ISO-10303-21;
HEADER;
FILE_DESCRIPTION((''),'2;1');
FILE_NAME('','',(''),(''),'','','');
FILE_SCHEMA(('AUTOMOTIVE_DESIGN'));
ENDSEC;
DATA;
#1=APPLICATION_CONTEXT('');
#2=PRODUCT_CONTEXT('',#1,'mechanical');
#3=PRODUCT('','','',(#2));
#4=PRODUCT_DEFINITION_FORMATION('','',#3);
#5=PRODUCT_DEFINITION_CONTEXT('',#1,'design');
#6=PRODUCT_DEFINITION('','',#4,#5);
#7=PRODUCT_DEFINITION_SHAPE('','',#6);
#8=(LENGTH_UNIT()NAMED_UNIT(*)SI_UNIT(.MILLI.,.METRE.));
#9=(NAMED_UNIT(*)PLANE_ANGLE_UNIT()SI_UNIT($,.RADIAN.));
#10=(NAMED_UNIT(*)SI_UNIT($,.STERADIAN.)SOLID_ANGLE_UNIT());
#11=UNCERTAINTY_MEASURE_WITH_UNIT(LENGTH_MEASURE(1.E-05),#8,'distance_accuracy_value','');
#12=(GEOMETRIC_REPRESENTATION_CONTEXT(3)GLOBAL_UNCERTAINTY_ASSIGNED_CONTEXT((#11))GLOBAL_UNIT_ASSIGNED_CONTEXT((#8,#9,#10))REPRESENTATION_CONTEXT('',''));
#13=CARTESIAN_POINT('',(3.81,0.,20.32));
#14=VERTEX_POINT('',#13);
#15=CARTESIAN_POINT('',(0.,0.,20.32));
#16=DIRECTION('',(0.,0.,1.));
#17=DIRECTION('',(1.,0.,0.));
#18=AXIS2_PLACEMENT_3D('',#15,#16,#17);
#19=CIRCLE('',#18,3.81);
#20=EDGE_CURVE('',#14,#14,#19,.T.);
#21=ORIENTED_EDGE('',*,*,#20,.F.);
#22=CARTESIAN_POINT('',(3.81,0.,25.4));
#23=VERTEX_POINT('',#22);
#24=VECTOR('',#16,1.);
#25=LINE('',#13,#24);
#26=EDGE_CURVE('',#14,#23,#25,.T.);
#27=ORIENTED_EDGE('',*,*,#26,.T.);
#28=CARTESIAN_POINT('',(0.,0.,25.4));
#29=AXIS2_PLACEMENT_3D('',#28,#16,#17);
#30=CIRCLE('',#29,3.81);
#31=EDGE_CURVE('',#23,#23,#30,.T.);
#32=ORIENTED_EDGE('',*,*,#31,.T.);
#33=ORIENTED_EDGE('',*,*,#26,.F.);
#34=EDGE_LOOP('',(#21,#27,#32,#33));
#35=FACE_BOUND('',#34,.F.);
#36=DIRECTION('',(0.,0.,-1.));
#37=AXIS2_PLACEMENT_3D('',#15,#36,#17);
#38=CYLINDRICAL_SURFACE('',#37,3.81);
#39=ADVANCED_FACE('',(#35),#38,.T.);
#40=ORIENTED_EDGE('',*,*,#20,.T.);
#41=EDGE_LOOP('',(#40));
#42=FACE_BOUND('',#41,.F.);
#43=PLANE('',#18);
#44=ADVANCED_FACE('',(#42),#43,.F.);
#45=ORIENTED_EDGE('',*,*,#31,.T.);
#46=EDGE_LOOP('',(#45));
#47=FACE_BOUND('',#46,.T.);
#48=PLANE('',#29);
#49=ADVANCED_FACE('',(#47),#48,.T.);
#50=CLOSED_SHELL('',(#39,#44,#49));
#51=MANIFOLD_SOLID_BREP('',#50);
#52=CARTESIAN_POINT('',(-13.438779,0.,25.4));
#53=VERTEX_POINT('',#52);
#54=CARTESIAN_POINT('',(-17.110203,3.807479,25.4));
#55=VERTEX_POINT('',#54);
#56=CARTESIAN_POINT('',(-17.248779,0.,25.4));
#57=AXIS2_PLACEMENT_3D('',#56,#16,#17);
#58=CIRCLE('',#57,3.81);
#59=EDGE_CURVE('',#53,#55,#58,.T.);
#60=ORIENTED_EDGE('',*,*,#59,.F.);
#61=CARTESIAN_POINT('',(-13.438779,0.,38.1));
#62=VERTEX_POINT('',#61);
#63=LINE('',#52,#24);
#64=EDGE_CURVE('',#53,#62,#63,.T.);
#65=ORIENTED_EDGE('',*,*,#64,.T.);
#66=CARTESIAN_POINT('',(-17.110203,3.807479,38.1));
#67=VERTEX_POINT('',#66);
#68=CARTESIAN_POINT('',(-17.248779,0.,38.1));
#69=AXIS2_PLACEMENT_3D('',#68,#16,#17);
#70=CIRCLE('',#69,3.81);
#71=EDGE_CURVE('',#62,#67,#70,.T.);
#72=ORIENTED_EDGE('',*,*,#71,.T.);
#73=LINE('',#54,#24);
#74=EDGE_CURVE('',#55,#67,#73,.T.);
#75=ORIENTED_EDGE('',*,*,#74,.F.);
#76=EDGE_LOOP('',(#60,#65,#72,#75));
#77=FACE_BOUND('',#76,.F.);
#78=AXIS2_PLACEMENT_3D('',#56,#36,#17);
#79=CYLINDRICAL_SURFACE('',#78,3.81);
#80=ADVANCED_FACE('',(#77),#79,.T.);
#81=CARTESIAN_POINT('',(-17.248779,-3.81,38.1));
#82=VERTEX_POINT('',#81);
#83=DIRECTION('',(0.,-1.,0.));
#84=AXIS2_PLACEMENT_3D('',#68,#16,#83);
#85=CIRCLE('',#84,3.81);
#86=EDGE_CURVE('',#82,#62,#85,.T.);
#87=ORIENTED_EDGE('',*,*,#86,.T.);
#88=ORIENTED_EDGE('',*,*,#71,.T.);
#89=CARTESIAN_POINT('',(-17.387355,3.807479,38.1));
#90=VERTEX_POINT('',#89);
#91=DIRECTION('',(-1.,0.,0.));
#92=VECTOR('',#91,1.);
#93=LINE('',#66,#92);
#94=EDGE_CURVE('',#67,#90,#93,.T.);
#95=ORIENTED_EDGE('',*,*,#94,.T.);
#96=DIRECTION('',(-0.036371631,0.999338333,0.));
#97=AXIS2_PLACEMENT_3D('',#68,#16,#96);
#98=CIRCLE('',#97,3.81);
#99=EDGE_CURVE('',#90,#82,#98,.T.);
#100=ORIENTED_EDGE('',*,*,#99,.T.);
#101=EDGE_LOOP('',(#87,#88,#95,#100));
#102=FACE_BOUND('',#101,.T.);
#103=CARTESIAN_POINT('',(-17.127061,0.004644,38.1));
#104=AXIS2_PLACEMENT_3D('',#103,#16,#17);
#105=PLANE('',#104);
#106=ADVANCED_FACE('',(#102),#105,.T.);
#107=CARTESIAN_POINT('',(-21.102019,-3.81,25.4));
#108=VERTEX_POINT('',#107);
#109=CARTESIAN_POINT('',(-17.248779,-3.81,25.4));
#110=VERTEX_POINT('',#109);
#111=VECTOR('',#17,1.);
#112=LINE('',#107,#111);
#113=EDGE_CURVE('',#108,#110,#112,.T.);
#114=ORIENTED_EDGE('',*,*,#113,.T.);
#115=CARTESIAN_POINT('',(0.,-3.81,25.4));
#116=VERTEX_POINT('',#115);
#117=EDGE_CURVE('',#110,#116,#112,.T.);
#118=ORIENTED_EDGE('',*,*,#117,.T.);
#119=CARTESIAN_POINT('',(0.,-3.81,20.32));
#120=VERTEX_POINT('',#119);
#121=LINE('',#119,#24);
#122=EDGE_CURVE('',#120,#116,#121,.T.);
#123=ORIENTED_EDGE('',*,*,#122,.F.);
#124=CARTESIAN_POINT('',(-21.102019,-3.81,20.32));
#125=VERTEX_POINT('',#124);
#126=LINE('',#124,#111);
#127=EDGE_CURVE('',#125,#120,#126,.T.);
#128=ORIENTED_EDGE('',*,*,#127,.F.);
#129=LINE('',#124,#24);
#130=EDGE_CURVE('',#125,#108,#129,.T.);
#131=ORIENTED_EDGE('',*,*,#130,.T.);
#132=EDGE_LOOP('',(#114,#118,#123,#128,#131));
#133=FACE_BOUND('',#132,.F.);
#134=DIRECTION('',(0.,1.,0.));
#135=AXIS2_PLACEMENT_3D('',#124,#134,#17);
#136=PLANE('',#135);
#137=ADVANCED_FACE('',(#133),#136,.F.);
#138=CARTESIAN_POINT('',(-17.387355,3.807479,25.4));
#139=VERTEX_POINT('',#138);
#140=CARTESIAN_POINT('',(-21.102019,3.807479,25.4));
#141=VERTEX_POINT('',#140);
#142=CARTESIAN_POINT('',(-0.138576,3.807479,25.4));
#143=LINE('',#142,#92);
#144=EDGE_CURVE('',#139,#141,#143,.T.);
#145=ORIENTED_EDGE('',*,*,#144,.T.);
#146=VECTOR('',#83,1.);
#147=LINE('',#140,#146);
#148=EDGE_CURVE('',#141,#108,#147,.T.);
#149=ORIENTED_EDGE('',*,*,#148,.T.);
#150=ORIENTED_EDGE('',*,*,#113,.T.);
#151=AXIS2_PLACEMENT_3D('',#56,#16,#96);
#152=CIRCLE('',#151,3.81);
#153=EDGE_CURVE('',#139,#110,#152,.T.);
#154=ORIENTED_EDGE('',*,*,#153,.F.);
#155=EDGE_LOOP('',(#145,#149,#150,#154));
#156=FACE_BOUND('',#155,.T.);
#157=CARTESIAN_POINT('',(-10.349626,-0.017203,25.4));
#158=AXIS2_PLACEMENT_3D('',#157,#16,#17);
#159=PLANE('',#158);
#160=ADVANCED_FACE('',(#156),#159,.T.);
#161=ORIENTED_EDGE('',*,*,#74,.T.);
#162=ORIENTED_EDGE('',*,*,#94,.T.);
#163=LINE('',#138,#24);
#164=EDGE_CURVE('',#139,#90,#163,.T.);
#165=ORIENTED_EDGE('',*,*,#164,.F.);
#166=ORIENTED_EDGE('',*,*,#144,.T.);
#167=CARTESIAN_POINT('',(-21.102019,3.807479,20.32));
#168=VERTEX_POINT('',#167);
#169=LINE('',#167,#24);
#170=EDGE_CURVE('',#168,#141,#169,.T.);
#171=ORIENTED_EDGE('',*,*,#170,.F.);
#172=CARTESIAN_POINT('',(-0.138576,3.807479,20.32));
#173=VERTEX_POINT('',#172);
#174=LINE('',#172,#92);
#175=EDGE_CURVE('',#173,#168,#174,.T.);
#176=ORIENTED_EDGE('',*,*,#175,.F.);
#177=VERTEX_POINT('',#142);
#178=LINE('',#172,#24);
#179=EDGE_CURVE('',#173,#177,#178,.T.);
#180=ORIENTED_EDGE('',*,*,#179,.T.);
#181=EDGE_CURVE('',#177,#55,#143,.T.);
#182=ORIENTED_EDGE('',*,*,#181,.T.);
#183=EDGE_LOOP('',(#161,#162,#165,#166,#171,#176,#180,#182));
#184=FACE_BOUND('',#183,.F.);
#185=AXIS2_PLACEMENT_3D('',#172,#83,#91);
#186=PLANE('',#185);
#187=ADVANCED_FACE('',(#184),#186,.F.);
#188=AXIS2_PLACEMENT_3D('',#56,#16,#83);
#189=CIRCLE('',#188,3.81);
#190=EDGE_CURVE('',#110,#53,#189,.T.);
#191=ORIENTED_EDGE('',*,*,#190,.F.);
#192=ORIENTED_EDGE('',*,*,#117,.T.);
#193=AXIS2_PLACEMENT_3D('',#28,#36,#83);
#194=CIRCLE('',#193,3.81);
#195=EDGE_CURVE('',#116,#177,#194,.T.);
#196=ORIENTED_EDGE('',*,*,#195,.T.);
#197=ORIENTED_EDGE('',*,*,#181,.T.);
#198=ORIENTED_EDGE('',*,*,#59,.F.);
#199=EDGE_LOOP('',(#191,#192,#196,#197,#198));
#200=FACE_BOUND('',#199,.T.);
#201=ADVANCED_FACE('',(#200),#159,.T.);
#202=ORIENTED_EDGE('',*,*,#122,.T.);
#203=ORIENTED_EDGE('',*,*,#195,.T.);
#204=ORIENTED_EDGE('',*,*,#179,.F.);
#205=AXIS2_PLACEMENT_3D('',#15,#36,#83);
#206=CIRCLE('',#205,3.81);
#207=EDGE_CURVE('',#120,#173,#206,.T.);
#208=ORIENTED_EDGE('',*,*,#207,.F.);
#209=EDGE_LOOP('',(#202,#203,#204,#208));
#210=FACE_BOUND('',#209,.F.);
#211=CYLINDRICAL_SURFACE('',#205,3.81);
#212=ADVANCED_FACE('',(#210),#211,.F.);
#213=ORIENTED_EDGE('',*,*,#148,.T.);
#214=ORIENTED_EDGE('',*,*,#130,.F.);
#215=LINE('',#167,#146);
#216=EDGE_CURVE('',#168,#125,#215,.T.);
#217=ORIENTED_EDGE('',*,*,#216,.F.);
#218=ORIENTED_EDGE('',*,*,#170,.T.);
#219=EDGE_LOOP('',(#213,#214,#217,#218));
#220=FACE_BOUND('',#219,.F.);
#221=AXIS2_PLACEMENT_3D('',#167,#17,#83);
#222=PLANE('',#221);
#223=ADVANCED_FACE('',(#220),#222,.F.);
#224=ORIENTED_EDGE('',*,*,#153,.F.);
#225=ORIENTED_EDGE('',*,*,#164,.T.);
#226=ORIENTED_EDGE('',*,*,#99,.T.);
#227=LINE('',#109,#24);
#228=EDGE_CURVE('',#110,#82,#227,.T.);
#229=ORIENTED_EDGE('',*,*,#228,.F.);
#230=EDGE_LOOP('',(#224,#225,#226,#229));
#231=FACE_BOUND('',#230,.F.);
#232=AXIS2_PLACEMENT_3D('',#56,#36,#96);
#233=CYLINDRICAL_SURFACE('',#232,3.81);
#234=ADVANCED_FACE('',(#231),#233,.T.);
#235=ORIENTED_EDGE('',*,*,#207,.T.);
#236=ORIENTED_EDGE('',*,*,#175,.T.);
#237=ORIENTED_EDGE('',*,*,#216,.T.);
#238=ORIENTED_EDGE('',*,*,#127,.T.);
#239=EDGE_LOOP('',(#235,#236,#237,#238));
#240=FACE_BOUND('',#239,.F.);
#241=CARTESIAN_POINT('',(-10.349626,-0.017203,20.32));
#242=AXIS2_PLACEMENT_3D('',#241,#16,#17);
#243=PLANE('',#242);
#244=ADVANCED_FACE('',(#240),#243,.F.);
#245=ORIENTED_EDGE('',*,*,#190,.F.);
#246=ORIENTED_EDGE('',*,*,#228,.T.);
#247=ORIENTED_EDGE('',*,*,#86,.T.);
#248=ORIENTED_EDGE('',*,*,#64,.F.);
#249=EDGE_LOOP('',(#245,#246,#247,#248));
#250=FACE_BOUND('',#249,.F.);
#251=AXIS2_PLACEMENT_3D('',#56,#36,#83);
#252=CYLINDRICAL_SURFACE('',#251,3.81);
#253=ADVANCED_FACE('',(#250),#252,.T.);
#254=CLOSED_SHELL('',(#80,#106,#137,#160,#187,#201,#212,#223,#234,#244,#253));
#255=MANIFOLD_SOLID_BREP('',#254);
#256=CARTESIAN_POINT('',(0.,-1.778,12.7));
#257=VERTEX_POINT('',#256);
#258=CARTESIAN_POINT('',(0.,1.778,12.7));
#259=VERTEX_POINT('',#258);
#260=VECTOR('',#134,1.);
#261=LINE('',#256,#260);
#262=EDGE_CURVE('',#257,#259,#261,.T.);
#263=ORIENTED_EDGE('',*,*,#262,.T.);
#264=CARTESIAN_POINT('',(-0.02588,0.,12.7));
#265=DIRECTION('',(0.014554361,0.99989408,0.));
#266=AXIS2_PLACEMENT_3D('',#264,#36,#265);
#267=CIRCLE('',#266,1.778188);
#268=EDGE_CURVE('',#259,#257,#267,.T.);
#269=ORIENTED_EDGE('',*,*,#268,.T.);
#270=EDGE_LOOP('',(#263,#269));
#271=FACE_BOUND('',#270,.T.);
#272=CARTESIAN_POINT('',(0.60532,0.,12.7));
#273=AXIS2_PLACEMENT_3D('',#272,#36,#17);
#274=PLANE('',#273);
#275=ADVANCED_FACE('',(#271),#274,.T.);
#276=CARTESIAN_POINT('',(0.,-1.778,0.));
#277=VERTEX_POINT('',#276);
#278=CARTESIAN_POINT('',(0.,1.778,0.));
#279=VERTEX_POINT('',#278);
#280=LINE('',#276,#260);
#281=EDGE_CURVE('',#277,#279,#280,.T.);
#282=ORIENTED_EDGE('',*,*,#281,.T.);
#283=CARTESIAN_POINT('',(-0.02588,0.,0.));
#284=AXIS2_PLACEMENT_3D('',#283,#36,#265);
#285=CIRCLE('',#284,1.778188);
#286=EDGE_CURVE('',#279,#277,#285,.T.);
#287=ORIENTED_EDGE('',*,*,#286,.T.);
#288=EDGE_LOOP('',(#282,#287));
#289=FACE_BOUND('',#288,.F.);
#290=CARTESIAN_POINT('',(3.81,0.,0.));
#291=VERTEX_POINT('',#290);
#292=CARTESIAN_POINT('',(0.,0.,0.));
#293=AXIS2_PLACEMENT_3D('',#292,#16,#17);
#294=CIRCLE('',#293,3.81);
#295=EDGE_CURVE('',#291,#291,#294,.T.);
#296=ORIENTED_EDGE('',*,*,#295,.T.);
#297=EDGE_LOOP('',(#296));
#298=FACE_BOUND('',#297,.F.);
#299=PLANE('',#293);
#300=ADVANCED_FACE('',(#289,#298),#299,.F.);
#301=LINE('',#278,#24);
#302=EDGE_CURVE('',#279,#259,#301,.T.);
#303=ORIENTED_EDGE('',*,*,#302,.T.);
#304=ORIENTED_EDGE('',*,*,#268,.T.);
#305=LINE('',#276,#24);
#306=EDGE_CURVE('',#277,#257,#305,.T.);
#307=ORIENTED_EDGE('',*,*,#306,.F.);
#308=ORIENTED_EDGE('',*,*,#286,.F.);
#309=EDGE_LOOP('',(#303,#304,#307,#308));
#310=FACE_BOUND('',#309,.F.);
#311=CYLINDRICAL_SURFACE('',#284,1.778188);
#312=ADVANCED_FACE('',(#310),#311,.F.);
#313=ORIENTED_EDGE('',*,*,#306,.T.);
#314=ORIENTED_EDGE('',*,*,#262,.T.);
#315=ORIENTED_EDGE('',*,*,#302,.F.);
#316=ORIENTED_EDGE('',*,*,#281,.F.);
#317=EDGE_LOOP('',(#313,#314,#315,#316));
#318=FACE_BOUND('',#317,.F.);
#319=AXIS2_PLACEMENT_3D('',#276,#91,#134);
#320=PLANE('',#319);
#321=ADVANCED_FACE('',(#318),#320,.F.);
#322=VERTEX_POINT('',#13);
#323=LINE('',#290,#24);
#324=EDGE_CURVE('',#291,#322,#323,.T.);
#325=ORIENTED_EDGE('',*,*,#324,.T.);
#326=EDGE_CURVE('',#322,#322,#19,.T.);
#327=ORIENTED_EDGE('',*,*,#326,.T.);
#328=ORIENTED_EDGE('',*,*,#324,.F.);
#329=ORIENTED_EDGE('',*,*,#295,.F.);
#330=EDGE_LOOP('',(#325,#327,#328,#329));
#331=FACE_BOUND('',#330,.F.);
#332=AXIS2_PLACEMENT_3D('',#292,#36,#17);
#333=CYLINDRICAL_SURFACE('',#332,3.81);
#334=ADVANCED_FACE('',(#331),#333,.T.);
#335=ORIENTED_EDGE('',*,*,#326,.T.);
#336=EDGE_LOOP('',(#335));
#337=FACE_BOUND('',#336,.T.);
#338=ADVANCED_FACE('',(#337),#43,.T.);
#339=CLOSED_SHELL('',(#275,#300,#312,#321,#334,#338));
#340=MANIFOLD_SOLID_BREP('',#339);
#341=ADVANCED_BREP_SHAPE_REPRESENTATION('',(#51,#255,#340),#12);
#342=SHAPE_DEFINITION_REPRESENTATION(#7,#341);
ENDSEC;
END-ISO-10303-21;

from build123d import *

# Parameters (mm, degrees)
F0_R     = 3.81
F1_DEPTH = 20.32
F3_DEPTH = 12.7
F5_DEPTH = 5.08
F6_R     = 3.81
F7_DEPTH = 5.08
F9_DEPTH = 12.7


with BuildPart() as f1:
    # F0 (on Top) → F1 (new body)
    with BuildSketch(Plane.XY):
        Circle(F0_R)
    extrude(amount=F1_DEPTH)

    # F2 (on face) → F3 (cut)
    with BuildSketch(Plane(origin=(0, 0, 0), x_dir=(1, 0, 0), z_dir=(0, 0, -1))):
        with BuildLine():
            ThreePointArc((0, -1.778), (1.7523079513, 0), (0, 1.778))
            Line((0, 1.778), (0, -1.778))
        make_face()
    extrude(amount=-F3_DEPTH, mode=Mode.SUBTRACT)


with BuildPart() as f5:
    # F4 (on face) → F5 (new body)
    with BuildSketch(Plane.XY.offset(20.32)):
        with BuildLine():
            Line((-21.1020186543, -3.81), (0, -3.81))
            ThreePointArc((0, -3.81), (-3.8093697104, -0.0692994208), (-0.1385759132, 3.80747905))
            Line((-0.1385759132, 3.80747905), (-21.1020186543, 3.80747905))
            Line((-21.1020186543, 3.80747905), (-21.1020186543, -3.81))
        make_face()
    extrude(amount=F5_DEPTH)

    # F8 (on face) → F9 (join)
    with BuildSketch(Plane.XY.offset(25.4)):
        with BuildLine():
            ThreePointArc((-17.2487793983, -3.81), (-14.554702562, -2.6940768363), (-13.4387793983, 0))
            ThreePointArc((-13.4387793983, 0), (-14.5061461537, 2.6446290638), (-17.1102034851, 3.80747905))
            Line((-17.1102034851, 3.80747905), (-17.3873553116, 3.80747905))
            ThreePointArc((-17.3873553116, 3.80747905), (-21.0581491087, -0.0692994208), (-17.2487793983, -3.81))
        make_face()
    extrude(amount=F9_DEPTH)


with BuildPart() as f7:
    # F6 (on face) → F7 (new body)
    with BuildSketch(Plane.XY.offset(20.32)):
        Circle(F6_R)
    extrude(amount=F7_DEPTH)


solid = Compound([f1.part, f5.part, f7.part])
